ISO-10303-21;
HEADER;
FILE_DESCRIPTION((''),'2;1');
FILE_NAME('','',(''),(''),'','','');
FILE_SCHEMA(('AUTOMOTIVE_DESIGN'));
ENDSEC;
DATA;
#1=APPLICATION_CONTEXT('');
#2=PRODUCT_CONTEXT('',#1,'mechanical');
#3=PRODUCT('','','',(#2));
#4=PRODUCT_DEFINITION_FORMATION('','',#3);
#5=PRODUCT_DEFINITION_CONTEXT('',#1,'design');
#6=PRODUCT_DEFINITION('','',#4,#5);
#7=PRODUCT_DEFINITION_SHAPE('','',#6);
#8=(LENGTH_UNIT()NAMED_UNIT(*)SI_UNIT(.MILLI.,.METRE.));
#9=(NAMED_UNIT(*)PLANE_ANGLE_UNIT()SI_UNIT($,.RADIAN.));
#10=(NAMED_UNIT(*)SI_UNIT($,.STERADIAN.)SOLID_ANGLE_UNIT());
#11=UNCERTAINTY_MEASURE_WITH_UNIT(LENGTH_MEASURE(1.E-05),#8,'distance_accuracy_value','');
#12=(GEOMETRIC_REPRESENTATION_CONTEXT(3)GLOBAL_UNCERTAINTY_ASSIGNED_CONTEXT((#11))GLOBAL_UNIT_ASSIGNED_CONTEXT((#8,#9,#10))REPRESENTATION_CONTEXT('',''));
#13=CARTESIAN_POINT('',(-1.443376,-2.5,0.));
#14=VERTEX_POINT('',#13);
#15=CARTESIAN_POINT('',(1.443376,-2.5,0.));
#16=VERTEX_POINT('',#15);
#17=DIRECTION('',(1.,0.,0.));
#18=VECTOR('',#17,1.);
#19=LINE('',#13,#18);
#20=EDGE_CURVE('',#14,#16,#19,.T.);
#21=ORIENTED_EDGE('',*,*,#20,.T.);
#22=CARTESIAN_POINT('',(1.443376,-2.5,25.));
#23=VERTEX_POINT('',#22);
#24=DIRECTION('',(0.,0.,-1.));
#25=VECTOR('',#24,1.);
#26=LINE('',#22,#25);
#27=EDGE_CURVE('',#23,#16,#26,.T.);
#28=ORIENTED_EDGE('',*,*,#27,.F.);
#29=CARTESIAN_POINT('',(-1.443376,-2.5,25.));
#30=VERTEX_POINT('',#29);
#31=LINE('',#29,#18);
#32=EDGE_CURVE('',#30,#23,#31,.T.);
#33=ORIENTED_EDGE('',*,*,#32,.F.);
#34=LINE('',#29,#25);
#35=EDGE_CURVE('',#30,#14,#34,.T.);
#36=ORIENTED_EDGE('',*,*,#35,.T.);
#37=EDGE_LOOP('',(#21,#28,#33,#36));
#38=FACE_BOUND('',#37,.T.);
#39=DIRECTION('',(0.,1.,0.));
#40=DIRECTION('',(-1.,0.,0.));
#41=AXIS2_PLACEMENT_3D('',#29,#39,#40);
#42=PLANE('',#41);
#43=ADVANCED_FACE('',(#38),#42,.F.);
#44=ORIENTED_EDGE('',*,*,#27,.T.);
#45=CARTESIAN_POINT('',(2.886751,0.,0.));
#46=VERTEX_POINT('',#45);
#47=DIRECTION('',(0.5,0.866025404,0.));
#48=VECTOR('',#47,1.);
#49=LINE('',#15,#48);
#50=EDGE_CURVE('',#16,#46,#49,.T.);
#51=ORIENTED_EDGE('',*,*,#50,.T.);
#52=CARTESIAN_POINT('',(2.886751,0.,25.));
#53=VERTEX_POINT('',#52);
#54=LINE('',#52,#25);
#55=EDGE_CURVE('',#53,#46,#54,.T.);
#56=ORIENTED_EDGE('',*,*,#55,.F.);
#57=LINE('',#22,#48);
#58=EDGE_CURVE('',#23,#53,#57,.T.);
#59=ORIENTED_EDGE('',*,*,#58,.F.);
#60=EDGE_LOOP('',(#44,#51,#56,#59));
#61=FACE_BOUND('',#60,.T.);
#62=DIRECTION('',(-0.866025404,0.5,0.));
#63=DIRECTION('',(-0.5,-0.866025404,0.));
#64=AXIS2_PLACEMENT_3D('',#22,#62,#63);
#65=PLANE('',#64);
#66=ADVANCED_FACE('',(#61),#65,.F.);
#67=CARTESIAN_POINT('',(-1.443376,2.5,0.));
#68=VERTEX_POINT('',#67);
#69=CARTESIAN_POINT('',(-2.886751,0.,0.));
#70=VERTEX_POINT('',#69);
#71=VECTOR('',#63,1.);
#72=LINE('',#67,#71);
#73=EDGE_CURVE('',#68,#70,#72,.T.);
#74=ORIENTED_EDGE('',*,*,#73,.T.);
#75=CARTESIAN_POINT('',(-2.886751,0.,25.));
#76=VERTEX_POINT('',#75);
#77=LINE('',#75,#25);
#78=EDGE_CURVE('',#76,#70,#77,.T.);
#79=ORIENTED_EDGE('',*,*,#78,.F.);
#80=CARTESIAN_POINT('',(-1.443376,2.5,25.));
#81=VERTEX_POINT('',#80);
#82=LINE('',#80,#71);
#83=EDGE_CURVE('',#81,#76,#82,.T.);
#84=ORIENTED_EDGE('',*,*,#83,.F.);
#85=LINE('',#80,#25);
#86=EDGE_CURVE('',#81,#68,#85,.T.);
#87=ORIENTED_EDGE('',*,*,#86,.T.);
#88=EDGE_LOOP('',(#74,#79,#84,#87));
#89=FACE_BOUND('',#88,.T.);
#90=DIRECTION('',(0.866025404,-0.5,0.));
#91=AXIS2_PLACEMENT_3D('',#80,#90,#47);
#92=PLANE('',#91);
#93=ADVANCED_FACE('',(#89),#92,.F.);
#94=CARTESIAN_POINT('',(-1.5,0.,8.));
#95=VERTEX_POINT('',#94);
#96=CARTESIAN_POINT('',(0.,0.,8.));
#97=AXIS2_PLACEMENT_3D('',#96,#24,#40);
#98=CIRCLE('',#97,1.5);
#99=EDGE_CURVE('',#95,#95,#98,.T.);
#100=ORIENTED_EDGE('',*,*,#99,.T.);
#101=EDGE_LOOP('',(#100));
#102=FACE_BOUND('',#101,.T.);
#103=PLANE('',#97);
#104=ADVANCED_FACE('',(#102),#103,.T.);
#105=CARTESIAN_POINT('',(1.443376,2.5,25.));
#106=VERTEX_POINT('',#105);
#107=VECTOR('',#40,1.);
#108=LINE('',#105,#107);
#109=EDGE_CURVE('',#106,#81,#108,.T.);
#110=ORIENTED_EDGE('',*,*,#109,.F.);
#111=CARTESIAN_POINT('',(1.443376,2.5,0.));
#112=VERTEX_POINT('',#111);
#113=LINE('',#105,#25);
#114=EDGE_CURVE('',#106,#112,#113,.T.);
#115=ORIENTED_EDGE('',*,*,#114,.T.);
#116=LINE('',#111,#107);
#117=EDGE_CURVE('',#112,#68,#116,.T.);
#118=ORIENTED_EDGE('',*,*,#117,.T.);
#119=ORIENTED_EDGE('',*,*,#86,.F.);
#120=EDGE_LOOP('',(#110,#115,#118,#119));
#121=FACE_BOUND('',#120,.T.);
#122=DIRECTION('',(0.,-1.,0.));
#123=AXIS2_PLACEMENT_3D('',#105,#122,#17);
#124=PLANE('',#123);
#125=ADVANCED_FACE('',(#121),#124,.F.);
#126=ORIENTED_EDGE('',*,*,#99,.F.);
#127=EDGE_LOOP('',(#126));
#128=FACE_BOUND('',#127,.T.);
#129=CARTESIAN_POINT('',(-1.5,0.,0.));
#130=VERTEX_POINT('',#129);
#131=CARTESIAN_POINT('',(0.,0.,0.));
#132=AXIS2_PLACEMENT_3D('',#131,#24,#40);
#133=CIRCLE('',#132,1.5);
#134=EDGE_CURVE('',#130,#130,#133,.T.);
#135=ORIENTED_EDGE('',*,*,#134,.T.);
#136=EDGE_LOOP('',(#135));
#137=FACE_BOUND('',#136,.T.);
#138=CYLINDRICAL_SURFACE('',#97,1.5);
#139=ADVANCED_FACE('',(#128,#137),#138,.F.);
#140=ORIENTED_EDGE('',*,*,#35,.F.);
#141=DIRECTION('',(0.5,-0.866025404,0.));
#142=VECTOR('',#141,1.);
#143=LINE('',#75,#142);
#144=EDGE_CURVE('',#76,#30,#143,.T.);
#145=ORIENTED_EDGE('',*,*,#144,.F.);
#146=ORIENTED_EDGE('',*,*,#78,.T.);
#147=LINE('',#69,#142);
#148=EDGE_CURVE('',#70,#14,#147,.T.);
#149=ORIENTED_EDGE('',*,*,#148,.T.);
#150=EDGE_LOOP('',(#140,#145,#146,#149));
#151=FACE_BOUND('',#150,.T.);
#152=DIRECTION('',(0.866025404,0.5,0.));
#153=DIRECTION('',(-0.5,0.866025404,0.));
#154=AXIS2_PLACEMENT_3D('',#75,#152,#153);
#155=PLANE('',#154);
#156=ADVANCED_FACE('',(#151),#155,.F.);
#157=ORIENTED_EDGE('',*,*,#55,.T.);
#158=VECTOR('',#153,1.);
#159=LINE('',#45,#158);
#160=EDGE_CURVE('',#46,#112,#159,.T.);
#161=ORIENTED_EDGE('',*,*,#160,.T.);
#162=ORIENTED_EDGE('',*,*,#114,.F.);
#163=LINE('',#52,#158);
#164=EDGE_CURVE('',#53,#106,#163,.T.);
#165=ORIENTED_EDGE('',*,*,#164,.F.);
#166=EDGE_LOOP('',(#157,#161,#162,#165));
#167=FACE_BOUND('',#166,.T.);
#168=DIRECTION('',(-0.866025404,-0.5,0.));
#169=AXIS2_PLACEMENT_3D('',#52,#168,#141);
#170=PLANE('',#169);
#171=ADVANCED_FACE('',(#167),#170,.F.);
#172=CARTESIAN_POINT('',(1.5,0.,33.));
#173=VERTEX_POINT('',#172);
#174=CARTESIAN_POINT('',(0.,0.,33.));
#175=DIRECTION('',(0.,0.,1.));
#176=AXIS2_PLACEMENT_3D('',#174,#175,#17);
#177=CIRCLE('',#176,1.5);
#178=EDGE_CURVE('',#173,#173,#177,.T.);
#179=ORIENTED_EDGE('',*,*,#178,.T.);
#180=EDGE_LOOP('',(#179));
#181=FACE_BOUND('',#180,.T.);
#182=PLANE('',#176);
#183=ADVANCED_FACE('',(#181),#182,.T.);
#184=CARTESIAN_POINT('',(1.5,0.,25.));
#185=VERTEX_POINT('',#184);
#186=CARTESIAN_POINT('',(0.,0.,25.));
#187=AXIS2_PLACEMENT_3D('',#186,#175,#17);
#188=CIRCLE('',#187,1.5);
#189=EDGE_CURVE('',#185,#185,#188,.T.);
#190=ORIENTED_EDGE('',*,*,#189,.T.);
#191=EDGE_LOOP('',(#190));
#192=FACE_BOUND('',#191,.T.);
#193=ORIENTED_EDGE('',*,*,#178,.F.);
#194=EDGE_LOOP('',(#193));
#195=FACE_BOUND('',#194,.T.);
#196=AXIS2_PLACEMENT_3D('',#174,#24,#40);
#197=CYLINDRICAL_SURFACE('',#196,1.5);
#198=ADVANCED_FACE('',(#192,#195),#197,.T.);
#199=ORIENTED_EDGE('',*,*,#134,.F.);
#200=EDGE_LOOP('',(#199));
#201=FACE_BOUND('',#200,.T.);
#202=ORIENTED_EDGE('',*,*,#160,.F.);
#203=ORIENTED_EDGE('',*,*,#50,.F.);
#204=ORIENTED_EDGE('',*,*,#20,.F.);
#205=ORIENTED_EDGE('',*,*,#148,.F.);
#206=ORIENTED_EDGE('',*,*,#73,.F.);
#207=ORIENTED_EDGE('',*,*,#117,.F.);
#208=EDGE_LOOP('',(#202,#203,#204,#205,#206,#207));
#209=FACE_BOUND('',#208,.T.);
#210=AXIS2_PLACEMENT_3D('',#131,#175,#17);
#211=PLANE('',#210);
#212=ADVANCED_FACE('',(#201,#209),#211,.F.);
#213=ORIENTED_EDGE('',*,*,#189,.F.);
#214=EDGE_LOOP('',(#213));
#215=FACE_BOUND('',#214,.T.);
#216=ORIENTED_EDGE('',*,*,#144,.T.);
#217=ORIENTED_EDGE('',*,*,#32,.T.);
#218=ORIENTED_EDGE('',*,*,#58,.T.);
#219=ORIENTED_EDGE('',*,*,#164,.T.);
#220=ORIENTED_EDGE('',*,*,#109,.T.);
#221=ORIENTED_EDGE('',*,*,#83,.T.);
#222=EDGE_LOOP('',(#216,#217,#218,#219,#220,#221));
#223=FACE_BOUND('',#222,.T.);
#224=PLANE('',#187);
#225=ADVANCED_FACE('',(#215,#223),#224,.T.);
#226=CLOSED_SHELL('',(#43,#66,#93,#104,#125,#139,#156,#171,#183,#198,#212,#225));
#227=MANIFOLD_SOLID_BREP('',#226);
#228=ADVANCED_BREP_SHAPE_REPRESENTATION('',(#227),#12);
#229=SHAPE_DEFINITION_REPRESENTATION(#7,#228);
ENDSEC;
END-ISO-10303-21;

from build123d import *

# Parameters (mm, degrees)
BOSS_EXTRU_1_DEPTH      = 25
ESQUISSE2_R             = 1.5
BOSS_EXTRU_2_DEPTH      = 8
ESQUISSE3_R             = 1.5
ENL_V_MAT_EXTRU_1_DEPTH = 8


with BuildPart() as part:
    # Esquisse1 → Boss.-Extru.1 (new body)
    with BuildSketch(Plane.XY):
        Polygon((2.886751346, 0), (1.443375673, 2.5), (-1.443375673, 2.5), (-2.886751346, 0), (-1.443375673, -2.5), (1.443375673, -2.5), align=None)
    extrude(amount=BOSS_EXTRU_1_DEPTH)

    # Esquisse2 → Boss.-Extru.2 (add)
    with BuildSketch(Plane.XY.offset(25)):
        Circle(ESQUISSE2_R)
    extrude(amount=BOSS_EXTRU_2_DEPTH)

    # Esquisse3 → Enlèv. mat.-Extru.1 (cut)
    with BuildSketch(Plane(origin=(0, 0, 0), x_dir=(-1, 0, 0), z_dir=(0, 0, -1))):
        with Locations(Location((0, 0, 0), (0, 0, 180))):
            Circle(ESQUISSE3_R)
    extrude(amount=-ENL_V_MAT_EXTRU_1_DEPTH, mode=Mode.SUBTRACT)


solid = part.part
